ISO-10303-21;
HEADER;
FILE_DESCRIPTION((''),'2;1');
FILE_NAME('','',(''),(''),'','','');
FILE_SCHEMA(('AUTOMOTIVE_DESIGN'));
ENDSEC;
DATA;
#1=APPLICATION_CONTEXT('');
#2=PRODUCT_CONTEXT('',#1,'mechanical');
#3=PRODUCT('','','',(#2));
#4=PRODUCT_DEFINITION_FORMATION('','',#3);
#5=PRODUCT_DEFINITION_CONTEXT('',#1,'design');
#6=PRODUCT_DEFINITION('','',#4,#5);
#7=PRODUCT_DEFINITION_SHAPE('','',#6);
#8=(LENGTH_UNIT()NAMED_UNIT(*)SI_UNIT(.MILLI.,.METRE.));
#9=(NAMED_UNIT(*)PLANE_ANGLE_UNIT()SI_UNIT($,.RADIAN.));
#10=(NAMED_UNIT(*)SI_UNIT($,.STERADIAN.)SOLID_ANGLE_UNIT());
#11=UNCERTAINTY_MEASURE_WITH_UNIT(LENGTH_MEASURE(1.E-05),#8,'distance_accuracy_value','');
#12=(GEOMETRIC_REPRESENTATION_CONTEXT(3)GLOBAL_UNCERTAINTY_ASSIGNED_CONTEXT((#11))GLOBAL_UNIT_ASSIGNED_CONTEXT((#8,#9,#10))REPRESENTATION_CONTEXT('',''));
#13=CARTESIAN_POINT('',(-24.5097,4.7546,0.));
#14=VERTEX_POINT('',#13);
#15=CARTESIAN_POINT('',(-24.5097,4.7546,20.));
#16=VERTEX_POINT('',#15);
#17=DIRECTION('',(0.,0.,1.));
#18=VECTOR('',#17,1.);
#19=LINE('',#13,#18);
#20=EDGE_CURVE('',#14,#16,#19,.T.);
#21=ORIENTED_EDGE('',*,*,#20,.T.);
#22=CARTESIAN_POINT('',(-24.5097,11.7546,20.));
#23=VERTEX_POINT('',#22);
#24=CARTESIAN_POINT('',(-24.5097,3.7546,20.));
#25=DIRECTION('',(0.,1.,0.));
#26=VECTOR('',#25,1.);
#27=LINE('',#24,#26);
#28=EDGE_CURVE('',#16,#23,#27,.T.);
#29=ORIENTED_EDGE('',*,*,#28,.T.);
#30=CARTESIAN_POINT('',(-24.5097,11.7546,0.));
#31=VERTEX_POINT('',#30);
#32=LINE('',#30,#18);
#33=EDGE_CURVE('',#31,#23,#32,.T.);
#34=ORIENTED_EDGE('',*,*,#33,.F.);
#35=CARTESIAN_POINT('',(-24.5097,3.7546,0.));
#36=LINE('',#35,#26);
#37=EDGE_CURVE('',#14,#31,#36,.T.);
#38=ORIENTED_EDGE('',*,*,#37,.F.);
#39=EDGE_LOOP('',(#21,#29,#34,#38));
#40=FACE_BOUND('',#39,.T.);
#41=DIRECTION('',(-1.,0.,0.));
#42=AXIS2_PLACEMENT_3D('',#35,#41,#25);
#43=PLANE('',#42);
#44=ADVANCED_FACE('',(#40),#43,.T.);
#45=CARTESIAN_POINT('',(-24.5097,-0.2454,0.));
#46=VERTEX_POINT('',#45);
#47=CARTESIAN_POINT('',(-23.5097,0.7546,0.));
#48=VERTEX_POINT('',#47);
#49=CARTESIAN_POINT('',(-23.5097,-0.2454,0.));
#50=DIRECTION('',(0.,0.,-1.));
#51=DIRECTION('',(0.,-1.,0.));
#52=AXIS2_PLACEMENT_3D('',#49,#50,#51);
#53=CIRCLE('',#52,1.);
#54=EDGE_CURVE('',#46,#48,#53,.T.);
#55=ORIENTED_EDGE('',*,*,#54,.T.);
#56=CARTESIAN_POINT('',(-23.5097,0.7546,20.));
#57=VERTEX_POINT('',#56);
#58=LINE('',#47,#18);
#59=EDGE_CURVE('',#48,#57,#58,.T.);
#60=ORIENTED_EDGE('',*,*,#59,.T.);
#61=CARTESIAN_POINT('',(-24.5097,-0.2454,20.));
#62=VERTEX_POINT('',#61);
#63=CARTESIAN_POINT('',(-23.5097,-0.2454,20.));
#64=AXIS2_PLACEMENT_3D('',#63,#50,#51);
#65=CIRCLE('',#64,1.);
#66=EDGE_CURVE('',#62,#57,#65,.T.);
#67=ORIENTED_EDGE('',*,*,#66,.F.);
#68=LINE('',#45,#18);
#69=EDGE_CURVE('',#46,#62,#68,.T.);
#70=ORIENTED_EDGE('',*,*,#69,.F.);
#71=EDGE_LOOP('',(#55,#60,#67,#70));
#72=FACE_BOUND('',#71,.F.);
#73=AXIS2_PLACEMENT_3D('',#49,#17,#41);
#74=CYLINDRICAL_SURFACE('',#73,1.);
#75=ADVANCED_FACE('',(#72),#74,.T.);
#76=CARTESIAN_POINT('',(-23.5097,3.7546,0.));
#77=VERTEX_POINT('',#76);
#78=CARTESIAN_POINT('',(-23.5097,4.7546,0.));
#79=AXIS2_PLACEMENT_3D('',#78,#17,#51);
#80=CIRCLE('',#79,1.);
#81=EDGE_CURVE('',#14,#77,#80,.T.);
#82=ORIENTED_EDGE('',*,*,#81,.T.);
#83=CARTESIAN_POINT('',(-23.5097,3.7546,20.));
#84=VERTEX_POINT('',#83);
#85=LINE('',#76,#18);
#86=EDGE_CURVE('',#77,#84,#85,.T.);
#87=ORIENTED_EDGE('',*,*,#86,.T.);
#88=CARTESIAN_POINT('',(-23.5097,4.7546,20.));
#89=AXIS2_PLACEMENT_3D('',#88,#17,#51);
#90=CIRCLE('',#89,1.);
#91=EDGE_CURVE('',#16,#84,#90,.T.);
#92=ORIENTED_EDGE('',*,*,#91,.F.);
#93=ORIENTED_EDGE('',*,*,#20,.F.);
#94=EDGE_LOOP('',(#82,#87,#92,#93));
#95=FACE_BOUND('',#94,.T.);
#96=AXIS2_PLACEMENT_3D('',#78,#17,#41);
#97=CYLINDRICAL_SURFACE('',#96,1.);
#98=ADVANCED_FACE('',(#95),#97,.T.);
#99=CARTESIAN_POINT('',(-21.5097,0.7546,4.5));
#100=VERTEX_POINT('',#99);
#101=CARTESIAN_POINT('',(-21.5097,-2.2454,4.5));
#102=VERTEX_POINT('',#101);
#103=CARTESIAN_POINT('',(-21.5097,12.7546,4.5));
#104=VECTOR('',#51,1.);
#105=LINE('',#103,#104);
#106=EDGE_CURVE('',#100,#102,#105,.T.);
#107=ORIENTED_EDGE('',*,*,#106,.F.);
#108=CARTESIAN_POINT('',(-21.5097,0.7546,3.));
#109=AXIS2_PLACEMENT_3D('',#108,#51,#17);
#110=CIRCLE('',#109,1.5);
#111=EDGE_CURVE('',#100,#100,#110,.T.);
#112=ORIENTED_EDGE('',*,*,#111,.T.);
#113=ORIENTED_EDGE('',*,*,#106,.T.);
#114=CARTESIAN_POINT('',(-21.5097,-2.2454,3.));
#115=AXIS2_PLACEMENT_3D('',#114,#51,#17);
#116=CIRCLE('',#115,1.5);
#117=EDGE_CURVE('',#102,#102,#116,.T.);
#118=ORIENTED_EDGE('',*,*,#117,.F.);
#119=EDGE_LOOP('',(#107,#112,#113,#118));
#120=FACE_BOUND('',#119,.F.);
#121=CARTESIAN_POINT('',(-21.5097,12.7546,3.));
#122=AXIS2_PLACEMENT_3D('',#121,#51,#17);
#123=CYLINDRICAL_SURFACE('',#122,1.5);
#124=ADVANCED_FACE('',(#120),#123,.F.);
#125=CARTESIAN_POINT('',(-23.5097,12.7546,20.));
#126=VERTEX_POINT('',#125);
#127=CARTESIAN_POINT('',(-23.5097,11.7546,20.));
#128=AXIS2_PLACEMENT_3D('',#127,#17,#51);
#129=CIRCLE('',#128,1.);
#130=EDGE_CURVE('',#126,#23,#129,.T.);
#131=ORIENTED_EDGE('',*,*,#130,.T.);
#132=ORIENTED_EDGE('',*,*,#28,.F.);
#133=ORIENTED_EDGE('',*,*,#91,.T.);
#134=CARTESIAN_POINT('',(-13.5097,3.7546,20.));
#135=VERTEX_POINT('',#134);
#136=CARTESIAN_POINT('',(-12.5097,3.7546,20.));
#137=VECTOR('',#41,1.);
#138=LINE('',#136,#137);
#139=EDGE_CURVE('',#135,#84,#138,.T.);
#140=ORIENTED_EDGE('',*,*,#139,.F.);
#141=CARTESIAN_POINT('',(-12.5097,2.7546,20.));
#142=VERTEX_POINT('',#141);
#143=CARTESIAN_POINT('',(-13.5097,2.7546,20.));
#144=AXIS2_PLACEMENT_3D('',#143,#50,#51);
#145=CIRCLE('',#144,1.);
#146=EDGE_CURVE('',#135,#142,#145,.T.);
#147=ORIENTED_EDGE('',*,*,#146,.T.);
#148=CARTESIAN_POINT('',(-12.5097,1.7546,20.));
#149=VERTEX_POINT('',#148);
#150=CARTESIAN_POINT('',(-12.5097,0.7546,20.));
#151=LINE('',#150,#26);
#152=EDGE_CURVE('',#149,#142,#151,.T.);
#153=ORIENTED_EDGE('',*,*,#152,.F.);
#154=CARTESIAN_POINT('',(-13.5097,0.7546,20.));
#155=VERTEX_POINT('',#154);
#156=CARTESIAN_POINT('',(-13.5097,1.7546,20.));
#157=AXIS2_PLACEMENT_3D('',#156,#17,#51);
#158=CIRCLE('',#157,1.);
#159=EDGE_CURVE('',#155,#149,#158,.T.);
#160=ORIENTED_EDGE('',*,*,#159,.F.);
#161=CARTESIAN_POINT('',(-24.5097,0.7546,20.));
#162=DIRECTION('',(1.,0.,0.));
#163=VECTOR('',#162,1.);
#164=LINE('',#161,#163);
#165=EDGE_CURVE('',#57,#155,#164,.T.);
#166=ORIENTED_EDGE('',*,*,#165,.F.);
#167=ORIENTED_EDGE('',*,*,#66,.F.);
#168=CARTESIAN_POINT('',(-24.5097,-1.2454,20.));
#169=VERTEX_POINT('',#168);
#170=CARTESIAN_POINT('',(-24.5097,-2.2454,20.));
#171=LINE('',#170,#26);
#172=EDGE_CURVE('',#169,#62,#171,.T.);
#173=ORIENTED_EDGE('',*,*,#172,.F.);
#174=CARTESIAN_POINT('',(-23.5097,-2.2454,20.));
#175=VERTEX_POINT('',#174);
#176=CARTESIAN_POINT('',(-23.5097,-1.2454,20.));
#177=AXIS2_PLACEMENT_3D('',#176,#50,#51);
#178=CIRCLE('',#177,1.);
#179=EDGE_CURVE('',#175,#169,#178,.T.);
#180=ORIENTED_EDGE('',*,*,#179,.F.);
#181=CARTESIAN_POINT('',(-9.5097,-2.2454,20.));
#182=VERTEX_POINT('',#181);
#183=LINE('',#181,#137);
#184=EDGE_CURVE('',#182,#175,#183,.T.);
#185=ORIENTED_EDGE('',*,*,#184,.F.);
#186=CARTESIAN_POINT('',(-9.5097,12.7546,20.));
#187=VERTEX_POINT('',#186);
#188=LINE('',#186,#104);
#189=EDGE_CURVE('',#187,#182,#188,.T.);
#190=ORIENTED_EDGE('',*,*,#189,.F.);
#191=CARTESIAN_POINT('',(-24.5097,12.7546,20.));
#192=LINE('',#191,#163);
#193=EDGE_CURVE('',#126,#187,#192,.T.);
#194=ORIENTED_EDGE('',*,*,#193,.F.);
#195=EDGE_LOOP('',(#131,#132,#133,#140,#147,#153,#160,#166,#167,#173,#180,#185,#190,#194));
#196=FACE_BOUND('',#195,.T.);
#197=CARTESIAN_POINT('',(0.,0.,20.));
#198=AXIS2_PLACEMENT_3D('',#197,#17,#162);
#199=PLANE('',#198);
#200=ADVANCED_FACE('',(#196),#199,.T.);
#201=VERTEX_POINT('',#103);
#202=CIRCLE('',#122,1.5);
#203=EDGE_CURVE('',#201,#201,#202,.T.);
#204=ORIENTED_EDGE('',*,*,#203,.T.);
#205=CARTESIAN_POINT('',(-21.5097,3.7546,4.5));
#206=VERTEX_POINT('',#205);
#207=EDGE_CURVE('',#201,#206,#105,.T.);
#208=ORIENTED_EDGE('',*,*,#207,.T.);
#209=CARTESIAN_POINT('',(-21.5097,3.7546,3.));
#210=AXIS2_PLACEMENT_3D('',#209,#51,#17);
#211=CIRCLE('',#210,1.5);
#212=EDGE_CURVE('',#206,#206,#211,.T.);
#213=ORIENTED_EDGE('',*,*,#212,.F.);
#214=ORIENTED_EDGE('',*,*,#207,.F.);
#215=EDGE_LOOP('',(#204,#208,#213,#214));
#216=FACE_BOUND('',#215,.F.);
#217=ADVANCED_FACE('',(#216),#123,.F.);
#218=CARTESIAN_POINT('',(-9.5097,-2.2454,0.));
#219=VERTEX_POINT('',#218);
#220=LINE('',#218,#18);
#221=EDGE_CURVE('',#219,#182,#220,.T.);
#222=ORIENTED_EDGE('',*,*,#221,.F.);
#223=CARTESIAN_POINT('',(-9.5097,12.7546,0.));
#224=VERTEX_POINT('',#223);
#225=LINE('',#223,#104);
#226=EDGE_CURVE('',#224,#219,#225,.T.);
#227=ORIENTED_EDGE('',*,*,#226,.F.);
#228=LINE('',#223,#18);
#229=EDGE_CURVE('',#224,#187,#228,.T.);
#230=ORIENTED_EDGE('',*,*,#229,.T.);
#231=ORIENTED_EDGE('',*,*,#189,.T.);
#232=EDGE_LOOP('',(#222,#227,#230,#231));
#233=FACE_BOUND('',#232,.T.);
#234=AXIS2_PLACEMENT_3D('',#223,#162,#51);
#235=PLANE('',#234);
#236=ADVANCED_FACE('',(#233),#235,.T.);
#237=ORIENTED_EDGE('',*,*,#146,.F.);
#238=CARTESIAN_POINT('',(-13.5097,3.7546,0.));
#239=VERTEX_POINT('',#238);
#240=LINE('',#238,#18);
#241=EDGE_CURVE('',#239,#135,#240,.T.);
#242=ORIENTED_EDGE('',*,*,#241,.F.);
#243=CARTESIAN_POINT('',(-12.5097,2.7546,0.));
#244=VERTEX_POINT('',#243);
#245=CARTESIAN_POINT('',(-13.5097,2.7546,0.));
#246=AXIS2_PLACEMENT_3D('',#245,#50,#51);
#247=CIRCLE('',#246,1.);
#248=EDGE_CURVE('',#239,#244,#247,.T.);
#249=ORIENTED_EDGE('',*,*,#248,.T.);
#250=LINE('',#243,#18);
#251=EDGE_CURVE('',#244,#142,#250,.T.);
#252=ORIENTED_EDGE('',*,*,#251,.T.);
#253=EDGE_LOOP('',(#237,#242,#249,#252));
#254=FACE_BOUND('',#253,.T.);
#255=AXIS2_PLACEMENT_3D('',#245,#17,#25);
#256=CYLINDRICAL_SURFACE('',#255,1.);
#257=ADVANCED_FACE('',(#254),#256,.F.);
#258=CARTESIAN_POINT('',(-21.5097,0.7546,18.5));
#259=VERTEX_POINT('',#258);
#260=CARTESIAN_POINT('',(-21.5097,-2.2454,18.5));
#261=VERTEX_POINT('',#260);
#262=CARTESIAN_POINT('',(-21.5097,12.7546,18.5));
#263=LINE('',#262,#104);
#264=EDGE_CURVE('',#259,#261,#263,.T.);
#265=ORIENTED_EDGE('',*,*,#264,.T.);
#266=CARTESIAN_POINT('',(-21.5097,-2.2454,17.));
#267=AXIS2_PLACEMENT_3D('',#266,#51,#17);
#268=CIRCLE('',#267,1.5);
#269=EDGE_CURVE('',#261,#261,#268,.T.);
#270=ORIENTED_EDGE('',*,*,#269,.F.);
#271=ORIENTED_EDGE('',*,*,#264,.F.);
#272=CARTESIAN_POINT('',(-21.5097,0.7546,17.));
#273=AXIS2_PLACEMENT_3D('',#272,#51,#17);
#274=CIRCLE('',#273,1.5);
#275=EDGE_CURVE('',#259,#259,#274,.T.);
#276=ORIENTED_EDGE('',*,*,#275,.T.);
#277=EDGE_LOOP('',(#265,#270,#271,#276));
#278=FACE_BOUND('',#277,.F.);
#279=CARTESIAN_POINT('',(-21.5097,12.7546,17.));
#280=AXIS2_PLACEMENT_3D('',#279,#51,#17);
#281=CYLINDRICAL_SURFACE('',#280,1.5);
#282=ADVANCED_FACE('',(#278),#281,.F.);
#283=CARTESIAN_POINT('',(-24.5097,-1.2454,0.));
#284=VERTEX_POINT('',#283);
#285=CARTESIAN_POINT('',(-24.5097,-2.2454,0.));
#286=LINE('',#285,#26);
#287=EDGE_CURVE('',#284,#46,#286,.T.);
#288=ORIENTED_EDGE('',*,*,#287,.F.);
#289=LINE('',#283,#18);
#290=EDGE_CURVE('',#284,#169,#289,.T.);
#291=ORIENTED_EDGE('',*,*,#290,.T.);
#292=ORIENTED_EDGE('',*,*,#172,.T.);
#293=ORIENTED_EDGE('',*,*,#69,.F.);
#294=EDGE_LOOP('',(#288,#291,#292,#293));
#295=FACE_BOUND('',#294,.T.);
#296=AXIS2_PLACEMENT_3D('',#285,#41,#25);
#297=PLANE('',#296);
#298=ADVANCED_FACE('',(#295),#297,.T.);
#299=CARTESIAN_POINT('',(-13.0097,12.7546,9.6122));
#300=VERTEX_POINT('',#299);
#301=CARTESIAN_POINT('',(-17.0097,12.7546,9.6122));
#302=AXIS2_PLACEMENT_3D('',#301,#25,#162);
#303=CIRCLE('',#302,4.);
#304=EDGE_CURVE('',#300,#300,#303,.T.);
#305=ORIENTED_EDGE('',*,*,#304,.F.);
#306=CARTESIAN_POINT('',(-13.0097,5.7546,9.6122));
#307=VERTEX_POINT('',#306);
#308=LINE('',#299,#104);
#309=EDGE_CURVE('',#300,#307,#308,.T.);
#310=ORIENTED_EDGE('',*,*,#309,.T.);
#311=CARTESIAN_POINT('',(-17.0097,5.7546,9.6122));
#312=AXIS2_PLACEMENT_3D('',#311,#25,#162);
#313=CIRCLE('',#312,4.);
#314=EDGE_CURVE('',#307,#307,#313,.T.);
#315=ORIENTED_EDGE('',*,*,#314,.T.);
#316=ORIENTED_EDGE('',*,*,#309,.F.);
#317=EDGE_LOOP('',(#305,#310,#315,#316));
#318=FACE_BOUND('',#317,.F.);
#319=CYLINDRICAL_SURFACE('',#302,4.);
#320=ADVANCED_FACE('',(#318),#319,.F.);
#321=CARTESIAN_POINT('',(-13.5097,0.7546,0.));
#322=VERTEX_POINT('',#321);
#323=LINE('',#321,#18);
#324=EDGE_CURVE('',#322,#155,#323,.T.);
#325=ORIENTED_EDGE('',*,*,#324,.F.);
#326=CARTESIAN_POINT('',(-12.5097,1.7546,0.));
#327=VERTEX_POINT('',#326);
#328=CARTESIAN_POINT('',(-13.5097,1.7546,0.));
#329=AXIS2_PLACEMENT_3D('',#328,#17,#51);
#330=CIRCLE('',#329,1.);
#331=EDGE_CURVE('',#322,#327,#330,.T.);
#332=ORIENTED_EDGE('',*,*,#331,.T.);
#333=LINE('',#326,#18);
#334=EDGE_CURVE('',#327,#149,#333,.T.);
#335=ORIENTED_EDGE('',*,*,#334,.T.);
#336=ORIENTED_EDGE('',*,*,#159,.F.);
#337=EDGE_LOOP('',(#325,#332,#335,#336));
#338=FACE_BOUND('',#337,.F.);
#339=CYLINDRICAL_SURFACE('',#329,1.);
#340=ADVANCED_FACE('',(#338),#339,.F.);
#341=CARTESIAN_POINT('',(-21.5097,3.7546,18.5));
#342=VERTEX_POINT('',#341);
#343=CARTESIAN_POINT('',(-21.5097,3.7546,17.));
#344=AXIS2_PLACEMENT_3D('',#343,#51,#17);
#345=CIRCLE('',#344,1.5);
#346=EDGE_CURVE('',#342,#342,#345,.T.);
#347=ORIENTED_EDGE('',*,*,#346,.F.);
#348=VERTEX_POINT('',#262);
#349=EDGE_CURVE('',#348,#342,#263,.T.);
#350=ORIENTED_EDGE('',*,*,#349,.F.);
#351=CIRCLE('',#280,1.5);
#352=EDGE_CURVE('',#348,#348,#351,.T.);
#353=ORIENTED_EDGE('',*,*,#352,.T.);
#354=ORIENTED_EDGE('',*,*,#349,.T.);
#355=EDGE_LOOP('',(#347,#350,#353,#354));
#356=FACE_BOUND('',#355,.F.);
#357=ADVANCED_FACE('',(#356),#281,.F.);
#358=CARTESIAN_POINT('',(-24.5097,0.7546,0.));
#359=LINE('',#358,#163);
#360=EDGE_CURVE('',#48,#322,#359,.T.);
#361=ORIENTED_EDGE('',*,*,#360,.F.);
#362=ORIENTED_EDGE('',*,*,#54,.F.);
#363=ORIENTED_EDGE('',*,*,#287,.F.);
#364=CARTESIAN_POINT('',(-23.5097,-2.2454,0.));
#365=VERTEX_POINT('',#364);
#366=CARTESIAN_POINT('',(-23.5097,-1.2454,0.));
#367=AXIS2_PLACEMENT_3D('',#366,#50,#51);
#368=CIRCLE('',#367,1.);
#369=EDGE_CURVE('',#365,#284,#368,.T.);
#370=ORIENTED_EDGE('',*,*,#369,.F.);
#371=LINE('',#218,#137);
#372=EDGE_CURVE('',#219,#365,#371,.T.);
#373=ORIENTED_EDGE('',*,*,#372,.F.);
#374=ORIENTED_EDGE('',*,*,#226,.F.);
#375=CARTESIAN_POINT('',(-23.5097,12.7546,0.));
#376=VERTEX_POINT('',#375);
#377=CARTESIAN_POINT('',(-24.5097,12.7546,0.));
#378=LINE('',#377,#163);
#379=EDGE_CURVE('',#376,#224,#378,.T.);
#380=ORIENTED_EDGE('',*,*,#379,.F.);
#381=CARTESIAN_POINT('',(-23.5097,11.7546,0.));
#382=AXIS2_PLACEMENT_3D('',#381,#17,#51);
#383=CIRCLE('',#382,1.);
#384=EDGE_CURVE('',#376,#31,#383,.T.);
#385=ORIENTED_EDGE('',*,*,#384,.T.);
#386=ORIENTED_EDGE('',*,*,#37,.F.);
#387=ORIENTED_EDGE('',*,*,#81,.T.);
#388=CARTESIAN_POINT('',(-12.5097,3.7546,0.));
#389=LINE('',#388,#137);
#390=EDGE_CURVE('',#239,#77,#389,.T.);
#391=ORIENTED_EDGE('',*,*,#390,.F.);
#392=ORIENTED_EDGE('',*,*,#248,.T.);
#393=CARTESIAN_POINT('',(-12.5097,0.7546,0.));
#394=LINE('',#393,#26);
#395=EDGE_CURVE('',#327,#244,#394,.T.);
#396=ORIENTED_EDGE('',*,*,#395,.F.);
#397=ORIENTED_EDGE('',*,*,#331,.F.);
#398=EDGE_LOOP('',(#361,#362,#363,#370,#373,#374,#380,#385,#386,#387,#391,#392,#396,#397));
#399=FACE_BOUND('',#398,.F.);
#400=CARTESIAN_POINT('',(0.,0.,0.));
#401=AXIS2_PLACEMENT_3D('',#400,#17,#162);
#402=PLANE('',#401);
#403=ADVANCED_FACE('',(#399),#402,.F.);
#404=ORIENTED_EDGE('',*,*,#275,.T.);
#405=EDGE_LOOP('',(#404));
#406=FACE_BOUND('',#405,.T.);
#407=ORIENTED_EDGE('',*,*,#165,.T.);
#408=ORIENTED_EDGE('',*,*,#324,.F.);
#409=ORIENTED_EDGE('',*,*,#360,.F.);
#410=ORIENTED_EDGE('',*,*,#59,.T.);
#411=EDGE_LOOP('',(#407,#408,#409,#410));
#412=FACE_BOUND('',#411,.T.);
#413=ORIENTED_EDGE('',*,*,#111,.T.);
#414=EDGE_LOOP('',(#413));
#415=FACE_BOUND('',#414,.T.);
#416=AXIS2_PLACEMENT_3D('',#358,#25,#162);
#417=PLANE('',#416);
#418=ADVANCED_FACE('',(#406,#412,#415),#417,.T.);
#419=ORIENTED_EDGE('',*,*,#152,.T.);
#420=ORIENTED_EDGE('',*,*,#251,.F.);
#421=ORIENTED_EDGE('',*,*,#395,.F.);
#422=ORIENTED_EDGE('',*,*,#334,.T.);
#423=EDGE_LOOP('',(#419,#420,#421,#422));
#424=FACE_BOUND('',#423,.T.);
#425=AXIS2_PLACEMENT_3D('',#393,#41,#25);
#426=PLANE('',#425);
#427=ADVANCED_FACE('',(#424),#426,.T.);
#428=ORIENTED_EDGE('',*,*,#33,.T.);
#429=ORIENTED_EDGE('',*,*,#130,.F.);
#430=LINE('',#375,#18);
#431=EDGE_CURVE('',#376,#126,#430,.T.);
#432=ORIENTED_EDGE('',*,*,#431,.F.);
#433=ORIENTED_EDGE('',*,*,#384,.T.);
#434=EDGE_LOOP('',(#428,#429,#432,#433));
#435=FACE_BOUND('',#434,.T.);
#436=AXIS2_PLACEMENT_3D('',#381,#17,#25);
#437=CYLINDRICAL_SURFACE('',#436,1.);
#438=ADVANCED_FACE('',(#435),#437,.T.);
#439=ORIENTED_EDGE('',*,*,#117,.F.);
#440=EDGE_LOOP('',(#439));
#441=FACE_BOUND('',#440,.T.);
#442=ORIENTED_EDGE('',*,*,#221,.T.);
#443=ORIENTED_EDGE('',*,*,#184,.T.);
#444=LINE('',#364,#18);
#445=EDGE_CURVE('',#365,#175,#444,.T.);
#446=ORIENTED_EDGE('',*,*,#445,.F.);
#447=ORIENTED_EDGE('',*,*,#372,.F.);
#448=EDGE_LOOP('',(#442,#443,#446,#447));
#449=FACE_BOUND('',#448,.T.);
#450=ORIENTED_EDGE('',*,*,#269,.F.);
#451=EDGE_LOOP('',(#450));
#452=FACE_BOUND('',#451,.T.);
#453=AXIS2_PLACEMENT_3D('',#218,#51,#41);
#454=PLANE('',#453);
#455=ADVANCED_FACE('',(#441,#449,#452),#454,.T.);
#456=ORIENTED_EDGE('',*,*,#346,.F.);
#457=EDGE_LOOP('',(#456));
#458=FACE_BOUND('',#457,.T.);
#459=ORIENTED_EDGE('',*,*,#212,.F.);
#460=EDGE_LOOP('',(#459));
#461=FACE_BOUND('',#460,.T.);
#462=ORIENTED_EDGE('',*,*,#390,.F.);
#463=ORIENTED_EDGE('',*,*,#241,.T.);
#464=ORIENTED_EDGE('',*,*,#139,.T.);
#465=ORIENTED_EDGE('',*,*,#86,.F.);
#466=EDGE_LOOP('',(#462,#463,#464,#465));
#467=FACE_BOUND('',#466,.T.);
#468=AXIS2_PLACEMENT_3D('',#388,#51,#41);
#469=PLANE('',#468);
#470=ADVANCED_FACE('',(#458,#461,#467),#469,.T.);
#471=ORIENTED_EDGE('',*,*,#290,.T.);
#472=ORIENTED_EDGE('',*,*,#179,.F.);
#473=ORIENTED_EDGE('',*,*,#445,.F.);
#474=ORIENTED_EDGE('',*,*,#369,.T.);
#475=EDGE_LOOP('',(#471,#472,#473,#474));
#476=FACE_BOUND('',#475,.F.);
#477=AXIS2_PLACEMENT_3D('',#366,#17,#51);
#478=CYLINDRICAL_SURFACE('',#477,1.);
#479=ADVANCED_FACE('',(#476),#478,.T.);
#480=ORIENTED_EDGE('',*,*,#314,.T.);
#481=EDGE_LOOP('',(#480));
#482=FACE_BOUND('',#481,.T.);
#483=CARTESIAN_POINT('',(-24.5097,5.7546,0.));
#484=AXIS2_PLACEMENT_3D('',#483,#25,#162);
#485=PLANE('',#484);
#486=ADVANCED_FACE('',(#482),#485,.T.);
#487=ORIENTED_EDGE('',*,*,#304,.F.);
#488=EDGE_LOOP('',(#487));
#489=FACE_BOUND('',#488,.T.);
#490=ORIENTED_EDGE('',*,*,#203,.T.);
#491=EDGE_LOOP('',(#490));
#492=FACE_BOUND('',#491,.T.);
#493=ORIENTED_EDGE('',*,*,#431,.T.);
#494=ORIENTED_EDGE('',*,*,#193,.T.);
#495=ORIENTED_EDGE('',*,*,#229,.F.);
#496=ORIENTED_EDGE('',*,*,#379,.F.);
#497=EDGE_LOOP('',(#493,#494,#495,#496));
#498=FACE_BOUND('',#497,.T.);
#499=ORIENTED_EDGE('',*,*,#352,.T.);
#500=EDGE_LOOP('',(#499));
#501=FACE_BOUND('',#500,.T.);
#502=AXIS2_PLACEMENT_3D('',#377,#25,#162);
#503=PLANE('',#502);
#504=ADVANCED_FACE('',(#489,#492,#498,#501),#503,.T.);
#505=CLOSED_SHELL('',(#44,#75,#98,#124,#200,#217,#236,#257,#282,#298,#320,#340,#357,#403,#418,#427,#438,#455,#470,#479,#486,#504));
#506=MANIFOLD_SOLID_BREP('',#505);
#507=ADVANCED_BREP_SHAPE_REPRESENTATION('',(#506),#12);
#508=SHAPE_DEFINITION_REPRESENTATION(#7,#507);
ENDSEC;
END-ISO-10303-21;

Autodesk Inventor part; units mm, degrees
ref_plane "YZ Plane" through (0, 0, 0) normal (1, 0, 0) x (0, 1, 0)
ref_plane "XZ Plane" through (0, 0, 0) normal (0, 1, 0) x (-1, 0, 0)
ref_plane "XY Plane" through (0, 0, 0) normal (0, 0, 1) x (1, 0, 0)
sketch "Esquisse1" plane through (0, 0, 0) normal (0, 0, 1) x (1, 0, 0)
  line L0 (-24.5097, 12.7546) -> (-9.5097, 12.7546)
  line L1 (-9.5097, 12.7546) -> (-9.5097, -2.2454)
  line L2 (-9.5097, -2.2454) -> (-24.5097, -2.2454)
  line L3 (-24.5097, -2.2454) -> (-24.5097, 0.7546)
  line L4 (-24.5097, 0.7546) -> (-12.5097, 0.7546)
  line L5 (-12.5097, 0.7546) -> (-12.5097, 3.7546)
  line L6 (-12.5097, 3.7546) -> (-24.5097, 3.7546)
  line L7 (-24.5097, 3.7546) -> (-24.5097, 12.7546)
  dimension "d0" = 15
  dimension "d1" = 15
  dimension "d2" = 3
  dimension "d3" = 9
  dimension "d4" = 12
extrude "Extrusion1" add sketch "Esquisse1" along normal blind 20
sketch "Esquisse2" plane through (-24.5097, 12.7546, 0) normal (0, 1, 0) x (1, 0, 0)
  circle A0 centre (3, -3) radius 1.5
  circle A1 centre (3, -17) radius 1.5
  line L0 (0, 0) -> (0, -20) projected
  line L1 (15, 0) -> (0, 0) projected
  line L2 (15, -20) -> (0, -20) projected
  point P0 (24.5097, 0)
  dimension "d8" = 3
  dimension "d9" = 3
  dimension "d13" = 3
  dimension "d15" = 3
  dimension "d30" = 3
  dimension "d31" = 3
hole "Perçage1" at (-21.5097, 12.7546, 3) at (-21.5097, 12.7546, 17) direction (0, -1, 0) diameter 3 end through all
sketch "Esquisse3" plane through (-24.5097, 12.7546, 0) normal (0, 1, 0) x (1, 0, 0)
  circle A0 centre (7.5, -9.6122) radius 4
  line L0 (15, 0) -> (15, -20) projected
  point P0 (24.5097, 0)
  dimension "d26" = 8
  dimension "d27" = 7.5
extrude "Extrusion2" cut sketch "Esquisse3" against normal blind 7
fillet "Congé1" radius 1 6 edges at (-12.5097, 3.7546, 10) (-12.5097, 0.7546, 10) (-24.5097, -2.2454, 10) (-24.5097, 0.7546, 10) (-24.5097, 3.7546, 10) (-24.5097, 12.7546, 10)
properties part number "support tige voiture"
